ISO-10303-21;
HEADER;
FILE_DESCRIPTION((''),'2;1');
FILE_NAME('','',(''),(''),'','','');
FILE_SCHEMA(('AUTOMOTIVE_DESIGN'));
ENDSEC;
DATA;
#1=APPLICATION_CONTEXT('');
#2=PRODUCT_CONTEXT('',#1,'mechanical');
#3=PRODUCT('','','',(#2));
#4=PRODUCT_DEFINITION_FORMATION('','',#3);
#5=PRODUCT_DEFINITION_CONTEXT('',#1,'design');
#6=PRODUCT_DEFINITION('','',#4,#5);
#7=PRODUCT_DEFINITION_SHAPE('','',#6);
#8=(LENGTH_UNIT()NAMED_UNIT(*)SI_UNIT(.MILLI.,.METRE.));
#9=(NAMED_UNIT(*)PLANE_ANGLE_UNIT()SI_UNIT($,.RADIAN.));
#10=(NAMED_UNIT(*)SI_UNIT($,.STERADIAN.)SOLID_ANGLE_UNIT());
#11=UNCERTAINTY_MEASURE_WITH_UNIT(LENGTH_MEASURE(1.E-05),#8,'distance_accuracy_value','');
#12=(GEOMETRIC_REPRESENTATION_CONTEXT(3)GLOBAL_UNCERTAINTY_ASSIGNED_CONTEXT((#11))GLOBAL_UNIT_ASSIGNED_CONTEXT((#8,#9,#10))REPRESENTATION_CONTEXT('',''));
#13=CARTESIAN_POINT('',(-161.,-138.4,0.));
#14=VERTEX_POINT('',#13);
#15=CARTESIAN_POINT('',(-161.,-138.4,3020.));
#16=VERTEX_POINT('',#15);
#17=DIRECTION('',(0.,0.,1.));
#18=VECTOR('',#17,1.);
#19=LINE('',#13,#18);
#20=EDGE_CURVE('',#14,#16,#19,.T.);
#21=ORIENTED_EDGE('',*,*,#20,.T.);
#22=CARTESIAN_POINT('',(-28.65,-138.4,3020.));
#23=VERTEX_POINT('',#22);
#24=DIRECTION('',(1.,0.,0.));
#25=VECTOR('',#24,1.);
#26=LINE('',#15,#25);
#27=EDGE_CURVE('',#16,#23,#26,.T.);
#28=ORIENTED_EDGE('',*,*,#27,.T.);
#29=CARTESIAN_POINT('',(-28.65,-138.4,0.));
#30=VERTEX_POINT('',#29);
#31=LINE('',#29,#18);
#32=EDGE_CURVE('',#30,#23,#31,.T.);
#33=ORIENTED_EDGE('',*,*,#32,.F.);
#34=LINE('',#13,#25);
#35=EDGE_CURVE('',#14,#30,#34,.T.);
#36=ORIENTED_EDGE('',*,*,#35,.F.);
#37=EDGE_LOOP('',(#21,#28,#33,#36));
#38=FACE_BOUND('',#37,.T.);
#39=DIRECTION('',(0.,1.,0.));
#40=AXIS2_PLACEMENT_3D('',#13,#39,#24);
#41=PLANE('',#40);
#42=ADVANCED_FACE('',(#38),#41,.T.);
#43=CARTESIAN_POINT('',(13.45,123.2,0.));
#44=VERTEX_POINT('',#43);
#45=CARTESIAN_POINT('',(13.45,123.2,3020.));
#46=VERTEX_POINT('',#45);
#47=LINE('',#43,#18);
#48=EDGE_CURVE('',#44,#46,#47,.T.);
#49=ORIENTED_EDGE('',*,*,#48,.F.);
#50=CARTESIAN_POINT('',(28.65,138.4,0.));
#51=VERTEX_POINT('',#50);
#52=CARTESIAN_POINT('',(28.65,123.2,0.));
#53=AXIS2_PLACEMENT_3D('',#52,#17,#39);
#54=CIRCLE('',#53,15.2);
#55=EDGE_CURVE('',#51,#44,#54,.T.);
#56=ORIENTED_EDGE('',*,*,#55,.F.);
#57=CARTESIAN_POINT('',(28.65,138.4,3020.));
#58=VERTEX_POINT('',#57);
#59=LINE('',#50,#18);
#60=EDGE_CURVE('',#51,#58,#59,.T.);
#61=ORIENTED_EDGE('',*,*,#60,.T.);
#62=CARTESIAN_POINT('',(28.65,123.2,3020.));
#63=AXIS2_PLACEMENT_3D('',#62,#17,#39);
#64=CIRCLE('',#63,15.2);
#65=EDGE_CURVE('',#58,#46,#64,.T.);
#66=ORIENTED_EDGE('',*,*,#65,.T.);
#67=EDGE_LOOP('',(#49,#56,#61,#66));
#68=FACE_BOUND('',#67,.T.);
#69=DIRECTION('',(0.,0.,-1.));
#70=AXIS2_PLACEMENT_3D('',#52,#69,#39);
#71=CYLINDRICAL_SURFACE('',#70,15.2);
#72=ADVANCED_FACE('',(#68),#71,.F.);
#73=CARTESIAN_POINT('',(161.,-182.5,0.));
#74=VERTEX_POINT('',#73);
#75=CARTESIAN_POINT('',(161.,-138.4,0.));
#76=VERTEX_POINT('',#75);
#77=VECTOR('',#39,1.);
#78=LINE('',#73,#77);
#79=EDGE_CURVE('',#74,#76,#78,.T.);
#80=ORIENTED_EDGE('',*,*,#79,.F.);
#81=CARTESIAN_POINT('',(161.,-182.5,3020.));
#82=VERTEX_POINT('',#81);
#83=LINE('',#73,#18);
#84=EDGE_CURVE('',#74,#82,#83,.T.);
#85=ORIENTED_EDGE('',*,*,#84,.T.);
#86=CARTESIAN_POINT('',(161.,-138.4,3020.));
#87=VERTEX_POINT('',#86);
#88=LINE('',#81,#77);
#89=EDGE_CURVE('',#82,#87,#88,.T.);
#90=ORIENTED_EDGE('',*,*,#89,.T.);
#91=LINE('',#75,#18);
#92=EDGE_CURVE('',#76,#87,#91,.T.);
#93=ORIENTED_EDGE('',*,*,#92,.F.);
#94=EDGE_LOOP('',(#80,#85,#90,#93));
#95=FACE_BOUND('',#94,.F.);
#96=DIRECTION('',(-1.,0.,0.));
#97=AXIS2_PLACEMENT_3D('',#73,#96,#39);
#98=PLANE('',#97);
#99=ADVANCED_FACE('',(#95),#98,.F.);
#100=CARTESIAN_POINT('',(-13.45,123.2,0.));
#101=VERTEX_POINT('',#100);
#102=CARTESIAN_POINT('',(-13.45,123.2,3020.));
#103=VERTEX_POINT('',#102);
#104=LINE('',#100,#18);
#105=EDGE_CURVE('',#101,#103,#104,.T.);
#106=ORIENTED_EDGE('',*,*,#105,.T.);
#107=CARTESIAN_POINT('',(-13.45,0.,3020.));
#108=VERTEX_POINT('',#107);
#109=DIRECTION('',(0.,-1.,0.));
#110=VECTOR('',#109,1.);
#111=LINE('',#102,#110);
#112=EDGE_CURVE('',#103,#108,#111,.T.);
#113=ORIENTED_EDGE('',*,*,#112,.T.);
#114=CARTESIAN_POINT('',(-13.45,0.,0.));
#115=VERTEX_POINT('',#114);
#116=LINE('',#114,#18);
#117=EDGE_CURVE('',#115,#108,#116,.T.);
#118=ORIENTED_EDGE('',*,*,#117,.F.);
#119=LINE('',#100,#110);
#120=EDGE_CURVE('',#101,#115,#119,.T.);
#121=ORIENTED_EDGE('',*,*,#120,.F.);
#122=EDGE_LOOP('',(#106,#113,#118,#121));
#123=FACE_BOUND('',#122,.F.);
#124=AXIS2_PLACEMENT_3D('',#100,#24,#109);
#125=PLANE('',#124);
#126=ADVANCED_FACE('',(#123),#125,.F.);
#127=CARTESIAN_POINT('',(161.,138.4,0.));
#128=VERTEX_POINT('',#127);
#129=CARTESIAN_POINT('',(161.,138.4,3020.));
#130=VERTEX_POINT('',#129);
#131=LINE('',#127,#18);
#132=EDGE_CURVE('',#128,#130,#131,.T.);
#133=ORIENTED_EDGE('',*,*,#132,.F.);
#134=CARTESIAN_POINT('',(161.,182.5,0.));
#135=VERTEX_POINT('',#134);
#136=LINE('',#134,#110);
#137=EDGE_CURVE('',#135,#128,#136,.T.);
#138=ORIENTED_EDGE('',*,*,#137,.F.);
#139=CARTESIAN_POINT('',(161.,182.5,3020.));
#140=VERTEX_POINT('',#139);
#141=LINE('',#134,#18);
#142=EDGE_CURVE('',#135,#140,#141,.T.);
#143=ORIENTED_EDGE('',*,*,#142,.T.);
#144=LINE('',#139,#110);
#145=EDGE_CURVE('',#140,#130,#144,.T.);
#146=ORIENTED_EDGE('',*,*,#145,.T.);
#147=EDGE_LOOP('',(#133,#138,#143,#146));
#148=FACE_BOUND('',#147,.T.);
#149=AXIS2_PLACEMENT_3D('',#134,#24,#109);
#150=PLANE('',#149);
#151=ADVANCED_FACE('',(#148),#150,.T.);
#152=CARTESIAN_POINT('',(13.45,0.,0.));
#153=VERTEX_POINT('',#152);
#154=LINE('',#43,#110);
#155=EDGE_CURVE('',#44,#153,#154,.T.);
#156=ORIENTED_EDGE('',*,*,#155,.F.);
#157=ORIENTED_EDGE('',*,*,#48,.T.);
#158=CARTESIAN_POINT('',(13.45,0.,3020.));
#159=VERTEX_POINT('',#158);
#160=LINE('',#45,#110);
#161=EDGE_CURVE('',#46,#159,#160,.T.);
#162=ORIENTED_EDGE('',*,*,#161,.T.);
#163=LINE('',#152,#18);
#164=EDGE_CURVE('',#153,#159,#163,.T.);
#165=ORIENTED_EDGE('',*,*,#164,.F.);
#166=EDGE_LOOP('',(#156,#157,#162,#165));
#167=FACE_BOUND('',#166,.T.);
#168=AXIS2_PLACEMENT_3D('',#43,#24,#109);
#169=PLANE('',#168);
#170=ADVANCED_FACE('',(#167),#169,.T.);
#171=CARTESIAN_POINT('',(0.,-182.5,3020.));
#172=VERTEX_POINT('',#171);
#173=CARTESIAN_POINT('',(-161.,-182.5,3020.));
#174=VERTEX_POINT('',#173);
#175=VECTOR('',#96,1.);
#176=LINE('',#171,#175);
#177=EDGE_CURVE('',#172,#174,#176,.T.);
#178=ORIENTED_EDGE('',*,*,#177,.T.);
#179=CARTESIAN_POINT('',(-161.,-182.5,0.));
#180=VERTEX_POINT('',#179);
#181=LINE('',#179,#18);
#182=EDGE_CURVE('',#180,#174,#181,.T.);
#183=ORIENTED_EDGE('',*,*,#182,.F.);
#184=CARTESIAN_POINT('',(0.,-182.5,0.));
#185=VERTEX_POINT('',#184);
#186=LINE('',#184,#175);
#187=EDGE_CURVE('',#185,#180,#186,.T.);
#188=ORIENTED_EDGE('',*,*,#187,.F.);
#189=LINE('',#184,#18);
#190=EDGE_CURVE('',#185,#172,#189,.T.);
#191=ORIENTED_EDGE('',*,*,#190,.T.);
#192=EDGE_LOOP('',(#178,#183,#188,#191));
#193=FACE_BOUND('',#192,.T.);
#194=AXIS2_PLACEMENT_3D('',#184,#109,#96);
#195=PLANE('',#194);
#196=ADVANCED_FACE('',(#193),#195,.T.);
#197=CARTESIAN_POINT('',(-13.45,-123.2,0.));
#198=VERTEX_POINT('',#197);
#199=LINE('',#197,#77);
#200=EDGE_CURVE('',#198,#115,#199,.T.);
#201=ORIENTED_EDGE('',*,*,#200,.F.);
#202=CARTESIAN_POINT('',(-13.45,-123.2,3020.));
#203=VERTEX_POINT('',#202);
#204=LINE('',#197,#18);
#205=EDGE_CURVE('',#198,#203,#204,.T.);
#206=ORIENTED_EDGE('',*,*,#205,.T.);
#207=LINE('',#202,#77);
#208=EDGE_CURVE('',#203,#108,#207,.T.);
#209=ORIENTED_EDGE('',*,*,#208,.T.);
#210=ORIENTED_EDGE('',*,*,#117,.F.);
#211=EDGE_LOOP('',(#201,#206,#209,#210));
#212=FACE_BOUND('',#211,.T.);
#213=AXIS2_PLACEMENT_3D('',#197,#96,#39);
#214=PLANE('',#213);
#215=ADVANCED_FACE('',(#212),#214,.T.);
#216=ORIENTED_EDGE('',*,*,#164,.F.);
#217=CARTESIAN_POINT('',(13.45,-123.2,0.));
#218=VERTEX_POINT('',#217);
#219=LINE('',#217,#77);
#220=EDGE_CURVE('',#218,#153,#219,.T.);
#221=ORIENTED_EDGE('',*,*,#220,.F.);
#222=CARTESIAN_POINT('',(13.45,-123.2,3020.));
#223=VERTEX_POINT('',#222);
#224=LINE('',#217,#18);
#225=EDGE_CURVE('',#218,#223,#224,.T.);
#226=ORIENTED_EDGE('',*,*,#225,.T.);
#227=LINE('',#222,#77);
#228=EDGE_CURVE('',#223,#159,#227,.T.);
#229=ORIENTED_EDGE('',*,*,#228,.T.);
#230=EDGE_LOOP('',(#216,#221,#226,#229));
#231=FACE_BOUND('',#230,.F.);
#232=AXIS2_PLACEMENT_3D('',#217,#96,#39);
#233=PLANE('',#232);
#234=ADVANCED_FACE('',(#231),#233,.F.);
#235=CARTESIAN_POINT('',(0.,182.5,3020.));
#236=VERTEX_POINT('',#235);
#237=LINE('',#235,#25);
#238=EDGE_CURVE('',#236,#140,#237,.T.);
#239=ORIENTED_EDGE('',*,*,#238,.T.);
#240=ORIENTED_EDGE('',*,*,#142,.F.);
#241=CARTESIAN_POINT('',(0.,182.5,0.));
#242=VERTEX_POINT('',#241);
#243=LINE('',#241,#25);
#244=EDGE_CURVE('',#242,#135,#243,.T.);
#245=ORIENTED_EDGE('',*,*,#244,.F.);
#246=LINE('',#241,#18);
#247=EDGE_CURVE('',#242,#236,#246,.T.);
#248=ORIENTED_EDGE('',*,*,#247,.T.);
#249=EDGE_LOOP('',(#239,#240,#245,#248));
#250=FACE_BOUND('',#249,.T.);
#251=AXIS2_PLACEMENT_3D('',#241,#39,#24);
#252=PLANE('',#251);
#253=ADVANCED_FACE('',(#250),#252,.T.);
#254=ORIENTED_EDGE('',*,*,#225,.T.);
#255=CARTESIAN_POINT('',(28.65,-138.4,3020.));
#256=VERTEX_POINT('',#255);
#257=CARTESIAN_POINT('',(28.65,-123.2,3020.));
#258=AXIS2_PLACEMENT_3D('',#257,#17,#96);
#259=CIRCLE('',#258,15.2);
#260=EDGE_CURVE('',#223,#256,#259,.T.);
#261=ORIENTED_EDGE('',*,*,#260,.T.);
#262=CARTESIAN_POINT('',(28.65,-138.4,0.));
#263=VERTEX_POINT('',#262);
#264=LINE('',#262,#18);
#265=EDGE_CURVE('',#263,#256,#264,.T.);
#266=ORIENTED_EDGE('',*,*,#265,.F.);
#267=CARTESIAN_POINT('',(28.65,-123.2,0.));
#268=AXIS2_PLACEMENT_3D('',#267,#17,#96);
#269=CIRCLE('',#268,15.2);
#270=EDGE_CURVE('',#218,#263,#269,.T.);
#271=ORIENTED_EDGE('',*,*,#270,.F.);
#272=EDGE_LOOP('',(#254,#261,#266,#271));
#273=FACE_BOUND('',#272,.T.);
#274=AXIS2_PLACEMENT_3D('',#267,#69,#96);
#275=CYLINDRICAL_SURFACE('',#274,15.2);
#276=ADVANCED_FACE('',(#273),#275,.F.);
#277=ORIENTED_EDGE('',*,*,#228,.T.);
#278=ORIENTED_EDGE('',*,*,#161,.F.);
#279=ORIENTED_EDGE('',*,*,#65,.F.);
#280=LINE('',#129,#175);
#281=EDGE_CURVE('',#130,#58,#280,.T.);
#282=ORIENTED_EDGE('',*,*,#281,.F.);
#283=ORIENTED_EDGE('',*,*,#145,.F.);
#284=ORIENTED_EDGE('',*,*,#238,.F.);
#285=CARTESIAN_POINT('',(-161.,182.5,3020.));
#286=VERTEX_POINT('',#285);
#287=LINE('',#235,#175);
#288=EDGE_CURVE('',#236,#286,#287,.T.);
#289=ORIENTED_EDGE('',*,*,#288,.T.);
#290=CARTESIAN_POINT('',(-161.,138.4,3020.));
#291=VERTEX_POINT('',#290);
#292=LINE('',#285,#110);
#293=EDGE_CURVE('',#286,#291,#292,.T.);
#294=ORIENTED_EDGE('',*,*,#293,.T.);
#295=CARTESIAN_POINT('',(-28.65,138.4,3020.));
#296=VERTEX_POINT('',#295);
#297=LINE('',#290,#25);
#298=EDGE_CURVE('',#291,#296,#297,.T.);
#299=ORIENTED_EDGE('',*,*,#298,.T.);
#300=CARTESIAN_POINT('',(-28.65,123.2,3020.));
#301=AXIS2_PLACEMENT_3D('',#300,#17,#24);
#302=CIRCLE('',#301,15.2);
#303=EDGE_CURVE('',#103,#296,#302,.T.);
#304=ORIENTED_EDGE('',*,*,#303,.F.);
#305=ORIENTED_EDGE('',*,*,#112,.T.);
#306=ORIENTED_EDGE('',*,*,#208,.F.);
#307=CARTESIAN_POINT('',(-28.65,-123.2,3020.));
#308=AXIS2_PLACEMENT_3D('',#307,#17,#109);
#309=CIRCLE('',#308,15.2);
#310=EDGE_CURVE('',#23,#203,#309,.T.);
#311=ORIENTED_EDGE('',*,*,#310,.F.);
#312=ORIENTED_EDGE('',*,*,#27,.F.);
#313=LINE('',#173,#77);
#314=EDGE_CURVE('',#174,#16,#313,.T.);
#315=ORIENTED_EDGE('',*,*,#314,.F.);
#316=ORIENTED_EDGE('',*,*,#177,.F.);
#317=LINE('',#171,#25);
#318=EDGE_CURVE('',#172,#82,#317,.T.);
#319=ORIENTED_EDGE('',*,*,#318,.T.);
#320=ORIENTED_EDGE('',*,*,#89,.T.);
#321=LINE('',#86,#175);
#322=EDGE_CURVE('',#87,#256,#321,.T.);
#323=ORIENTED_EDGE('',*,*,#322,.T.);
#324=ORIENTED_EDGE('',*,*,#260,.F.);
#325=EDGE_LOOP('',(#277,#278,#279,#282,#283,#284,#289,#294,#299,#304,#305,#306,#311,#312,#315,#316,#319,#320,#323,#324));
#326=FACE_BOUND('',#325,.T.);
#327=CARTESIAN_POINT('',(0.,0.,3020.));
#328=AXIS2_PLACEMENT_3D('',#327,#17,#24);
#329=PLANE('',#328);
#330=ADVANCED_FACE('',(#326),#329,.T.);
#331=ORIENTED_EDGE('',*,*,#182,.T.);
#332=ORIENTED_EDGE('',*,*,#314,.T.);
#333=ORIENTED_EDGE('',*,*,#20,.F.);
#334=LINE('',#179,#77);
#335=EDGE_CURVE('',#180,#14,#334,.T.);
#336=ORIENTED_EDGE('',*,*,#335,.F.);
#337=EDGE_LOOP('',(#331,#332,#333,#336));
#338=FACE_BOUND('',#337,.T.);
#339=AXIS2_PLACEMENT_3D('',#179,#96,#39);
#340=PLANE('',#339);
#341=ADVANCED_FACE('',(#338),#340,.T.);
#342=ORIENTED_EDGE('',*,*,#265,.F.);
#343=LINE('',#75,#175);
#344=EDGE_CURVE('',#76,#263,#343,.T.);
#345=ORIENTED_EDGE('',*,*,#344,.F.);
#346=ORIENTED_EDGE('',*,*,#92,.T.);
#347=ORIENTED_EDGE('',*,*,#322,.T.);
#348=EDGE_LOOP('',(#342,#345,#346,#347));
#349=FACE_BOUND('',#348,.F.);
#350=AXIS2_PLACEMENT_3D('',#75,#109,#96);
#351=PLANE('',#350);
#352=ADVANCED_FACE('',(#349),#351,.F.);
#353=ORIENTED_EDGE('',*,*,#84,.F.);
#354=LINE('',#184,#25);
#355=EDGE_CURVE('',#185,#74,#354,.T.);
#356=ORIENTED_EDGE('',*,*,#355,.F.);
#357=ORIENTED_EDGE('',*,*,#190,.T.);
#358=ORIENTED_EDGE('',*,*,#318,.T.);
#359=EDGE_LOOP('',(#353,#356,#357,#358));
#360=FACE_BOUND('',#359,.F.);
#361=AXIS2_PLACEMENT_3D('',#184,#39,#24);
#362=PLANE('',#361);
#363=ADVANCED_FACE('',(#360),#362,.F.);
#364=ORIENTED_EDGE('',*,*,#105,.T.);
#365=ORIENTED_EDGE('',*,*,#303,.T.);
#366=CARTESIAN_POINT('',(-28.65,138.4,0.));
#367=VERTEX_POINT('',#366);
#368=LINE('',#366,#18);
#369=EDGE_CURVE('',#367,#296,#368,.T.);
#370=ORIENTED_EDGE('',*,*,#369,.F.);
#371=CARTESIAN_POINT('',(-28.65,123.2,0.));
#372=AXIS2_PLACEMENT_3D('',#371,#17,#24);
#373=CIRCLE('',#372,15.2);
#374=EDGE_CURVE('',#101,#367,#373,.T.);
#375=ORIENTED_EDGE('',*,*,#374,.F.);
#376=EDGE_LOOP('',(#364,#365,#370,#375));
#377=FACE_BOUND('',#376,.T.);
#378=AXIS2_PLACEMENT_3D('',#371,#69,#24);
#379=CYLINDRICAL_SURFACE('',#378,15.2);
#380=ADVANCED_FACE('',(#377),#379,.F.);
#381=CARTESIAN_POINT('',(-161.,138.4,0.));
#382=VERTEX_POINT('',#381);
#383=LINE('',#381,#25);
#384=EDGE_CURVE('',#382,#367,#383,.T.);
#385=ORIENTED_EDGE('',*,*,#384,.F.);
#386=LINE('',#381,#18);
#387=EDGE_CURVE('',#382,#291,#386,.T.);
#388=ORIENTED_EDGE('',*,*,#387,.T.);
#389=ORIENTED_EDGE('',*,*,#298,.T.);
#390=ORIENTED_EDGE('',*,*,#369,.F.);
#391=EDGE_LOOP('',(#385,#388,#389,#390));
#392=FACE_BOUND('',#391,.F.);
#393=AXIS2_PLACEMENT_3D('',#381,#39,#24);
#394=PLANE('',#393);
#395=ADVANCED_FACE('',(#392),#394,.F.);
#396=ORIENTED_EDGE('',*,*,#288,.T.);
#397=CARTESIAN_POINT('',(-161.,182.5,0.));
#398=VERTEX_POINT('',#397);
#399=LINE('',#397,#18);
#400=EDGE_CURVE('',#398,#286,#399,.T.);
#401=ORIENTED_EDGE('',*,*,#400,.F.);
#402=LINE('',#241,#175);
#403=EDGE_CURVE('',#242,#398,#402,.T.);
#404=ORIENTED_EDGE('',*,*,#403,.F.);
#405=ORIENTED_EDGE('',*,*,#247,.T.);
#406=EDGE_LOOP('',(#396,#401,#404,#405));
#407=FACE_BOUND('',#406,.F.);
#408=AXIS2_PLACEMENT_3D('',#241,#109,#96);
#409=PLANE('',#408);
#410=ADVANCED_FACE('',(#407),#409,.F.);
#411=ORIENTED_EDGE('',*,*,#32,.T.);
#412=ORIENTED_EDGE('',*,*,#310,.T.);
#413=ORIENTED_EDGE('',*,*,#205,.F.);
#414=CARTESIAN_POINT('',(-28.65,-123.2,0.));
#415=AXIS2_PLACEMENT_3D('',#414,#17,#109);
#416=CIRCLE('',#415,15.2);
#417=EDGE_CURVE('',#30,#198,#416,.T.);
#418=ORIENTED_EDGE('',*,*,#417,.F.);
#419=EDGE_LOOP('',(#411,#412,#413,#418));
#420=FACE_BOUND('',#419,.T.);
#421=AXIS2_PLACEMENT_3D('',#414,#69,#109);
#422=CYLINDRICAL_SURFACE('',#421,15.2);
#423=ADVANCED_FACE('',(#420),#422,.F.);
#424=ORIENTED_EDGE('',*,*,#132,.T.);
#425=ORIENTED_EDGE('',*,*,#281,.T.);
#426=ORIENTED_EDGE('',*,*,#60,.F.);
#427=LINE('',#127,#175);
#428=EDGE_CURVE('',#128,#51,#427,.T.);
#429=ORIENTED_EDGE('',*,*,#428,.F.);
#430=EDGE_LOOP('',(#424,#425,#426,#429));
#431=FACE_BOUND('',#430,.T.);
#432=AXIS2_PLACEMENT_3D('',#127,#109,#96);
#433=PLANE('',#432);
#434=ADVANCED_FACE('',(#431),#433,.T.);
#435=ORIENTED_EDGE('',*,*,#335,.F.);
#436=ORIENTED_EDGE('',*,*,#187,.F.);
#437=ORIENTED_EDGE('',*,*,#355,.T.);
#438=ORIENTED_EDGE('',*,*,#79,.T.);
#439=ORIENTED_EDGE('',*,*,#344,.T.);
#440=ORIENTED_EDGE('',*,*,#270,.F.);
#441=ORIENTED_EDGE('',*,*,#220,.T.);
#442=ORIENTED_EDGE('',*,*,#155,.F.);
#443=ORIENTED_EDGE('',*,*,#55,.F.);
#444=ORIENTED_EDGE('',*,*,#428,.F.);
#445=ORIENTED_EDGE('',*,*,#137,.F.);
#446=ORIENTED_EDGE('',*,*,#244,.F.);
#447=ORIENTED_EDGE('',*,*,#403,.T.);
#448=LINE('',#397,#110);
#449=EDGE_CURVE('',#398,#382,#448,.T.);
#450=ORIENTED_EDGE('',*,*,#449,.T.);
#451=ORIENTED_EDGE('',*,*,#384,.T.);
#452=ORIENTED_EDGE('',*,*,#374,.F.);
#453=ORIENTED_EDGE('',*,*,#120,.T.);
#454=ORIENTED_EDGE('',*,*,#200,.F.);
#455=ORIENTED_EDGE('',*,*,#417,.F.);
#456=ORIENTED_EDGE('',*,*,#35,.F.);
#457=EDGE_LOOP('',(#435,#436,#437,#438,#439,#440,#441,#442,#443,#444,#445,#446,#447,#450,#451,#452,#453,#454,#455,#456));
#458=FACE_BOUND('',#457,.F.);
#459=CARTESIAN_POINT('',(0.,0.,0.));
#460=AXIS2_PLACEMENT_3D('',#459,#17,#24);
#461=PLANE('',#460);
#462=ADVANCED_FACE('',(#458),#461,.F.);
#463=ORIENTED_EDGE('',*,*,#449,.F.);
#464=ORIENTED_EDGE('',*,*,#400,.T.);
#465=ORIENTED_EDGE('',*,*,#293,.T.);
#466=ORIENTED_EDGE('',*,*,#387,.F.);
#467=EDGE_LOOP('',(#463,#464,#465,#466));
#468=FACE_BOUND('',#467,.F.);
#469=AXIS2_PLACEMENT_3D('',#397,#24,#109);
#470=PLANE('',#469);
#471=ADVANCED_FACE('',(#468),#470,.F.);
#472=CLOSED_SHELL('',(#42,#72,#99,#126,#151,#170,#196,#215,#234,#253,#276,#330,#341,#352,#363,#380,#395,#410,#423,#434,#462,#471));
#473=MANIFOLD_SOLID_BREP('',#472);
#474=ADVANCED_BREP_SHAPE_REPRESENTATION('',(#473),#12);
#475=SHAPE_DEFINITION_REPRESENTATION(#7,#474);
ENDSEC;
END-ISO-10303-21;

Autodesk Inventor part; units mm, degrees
ref_plane "YZ Plane" through (0, 0, 0) normal (1, 0, 0) x (0, 1, 0)
ref_plane "Start plane" through (0, 0, 0) normal (0, 0, 1) x (1, 0, 0)
ref_plane "End plane" through (0, 0, 3020) normal (0, 0, 1) x (1, 0, 0)
sketch "Sketch" plane through (0, 0, 0) normal (0, 0, 1) x (1, 0, 0)
  line L0 (-161, -182.5) -> (-161, -138.4)
  line L1 (-161, -138.4) -> (-28.65, -138.4)
  line L2 (-13.45, -123.2) -> (-13.45, 0)
  line L3 (-13.45, 0) -> (0, 0) construction
  line L4 (0, 0) -> (0, -182.5) construction
  line L5 (0, -182.5) -> (-161, -182.5)
  line L6 (-60, 0) -> (80, 0) construction
  line L7 (0, -60) -> (0, 80) construction
  line L8 (161, -182.5) -> (161, -138.4)
  line L9 (161, -138.4) -> (28.65, -138.4)
  line L10 (13.45, -123.2) -> (13.45, 0)
  line L11 (13.45, 0) -> (0, 0) construction
  line L12 (0, -182.5) -> (161, -182.5)
  line L13 (-161, 182.5) -> (-161, 138.4)
  line L14 (-161, 138.4) -> (-28.65, 138.4)
  line L15 (-13.45, 123.2) -> (-13.45, 0)
  line L16 (0, 182.5) -> (-161, 182.5)
  line L17 (161, 182.5) -> (161, 138.4)
  line L18 (161, 138.4) -> (28.65, 138.4)
  line L19 (0, 182.5) -> (161, 182.5)
  line L20 (13.45, 123.2) -> (13.45, 0)
  arc A0 (-13.45, 123.2) -> (-28.65, 138.4) centre (-28.65, 123.2) ccw
  arc A1 (28.65, 138.4) -> (13.45, 123.2) centre (28.65, 123.2) ccw
  arc A2 (13.45, -123.2) -> (28.65, -138.4) centre (28.65, -123.2) ccw
  arc A3 (-28.65, -138.4) -> (-13.45, -123.2) centre (-28.65, -123.2) ccw
  line L21 (0, 108) -> (0, -88) construction
  line L22 (-88, 0) -> (108, 0) construction
  point P0 (-13.45, -138.4)
  point P1 (13.45, -138.4)
  point P2 (-13.45, 138.4)
  point P3 (13.45, 138.4)
  dimension "d1" = 182.5
  dimension "d2" = 44.1
  dimension "d3" = 161
  dimension "d4" = 13.45
  dimension "d10" = 15.2
extrude "Body" add sketch "Sketch" along normal up to surface (3020 mm away) from surface at 0
sketch "Sketch4" plane through (0, 0, 0) normal (0, 0, 1) x (1, 0, 0)
  line L0 (0, 0) -> (10, 0)
ref_plane "Work Plane3" through (0, 0, 0) normal (0, -1, 0) x (1, 0, 0)
sketch "Sketch5" plane through (0, 0, 0) normal (0, -1, 0) x (1, 0, 0)
  line L0 (-2, 0) -> (12, 0) projected
  line L1 (-2, 3020) -> (12, 3020) projected
  dimension "d14" = 3020
equation "\"d1\" = 0.5 * G_H"
equation "\"d2\" = G_T1"
equation "\"d3\" = 0.5 * G_W"
equation "\"d4\" = 0.5 * G_T"
equation "\"d10\" = G_IR"
equation "\"d5\" = G_L"
equation "\"G_W\" = 322"
equation "\"G_H\" = 365"
equation "\"G_T\" = 26.9"
equation "\"G_T1\" = 44.1"
equation "\"G_IR\" = 15.2"
equation "\"G_L\" = d14"
equation "\"G_OFFSET_START\" = 0"
equation "\"G_OFFSET_END\" = 0"
properties part number "AS 3679 - 310 UC - 283 - 3020" material "Steel, Mild"
